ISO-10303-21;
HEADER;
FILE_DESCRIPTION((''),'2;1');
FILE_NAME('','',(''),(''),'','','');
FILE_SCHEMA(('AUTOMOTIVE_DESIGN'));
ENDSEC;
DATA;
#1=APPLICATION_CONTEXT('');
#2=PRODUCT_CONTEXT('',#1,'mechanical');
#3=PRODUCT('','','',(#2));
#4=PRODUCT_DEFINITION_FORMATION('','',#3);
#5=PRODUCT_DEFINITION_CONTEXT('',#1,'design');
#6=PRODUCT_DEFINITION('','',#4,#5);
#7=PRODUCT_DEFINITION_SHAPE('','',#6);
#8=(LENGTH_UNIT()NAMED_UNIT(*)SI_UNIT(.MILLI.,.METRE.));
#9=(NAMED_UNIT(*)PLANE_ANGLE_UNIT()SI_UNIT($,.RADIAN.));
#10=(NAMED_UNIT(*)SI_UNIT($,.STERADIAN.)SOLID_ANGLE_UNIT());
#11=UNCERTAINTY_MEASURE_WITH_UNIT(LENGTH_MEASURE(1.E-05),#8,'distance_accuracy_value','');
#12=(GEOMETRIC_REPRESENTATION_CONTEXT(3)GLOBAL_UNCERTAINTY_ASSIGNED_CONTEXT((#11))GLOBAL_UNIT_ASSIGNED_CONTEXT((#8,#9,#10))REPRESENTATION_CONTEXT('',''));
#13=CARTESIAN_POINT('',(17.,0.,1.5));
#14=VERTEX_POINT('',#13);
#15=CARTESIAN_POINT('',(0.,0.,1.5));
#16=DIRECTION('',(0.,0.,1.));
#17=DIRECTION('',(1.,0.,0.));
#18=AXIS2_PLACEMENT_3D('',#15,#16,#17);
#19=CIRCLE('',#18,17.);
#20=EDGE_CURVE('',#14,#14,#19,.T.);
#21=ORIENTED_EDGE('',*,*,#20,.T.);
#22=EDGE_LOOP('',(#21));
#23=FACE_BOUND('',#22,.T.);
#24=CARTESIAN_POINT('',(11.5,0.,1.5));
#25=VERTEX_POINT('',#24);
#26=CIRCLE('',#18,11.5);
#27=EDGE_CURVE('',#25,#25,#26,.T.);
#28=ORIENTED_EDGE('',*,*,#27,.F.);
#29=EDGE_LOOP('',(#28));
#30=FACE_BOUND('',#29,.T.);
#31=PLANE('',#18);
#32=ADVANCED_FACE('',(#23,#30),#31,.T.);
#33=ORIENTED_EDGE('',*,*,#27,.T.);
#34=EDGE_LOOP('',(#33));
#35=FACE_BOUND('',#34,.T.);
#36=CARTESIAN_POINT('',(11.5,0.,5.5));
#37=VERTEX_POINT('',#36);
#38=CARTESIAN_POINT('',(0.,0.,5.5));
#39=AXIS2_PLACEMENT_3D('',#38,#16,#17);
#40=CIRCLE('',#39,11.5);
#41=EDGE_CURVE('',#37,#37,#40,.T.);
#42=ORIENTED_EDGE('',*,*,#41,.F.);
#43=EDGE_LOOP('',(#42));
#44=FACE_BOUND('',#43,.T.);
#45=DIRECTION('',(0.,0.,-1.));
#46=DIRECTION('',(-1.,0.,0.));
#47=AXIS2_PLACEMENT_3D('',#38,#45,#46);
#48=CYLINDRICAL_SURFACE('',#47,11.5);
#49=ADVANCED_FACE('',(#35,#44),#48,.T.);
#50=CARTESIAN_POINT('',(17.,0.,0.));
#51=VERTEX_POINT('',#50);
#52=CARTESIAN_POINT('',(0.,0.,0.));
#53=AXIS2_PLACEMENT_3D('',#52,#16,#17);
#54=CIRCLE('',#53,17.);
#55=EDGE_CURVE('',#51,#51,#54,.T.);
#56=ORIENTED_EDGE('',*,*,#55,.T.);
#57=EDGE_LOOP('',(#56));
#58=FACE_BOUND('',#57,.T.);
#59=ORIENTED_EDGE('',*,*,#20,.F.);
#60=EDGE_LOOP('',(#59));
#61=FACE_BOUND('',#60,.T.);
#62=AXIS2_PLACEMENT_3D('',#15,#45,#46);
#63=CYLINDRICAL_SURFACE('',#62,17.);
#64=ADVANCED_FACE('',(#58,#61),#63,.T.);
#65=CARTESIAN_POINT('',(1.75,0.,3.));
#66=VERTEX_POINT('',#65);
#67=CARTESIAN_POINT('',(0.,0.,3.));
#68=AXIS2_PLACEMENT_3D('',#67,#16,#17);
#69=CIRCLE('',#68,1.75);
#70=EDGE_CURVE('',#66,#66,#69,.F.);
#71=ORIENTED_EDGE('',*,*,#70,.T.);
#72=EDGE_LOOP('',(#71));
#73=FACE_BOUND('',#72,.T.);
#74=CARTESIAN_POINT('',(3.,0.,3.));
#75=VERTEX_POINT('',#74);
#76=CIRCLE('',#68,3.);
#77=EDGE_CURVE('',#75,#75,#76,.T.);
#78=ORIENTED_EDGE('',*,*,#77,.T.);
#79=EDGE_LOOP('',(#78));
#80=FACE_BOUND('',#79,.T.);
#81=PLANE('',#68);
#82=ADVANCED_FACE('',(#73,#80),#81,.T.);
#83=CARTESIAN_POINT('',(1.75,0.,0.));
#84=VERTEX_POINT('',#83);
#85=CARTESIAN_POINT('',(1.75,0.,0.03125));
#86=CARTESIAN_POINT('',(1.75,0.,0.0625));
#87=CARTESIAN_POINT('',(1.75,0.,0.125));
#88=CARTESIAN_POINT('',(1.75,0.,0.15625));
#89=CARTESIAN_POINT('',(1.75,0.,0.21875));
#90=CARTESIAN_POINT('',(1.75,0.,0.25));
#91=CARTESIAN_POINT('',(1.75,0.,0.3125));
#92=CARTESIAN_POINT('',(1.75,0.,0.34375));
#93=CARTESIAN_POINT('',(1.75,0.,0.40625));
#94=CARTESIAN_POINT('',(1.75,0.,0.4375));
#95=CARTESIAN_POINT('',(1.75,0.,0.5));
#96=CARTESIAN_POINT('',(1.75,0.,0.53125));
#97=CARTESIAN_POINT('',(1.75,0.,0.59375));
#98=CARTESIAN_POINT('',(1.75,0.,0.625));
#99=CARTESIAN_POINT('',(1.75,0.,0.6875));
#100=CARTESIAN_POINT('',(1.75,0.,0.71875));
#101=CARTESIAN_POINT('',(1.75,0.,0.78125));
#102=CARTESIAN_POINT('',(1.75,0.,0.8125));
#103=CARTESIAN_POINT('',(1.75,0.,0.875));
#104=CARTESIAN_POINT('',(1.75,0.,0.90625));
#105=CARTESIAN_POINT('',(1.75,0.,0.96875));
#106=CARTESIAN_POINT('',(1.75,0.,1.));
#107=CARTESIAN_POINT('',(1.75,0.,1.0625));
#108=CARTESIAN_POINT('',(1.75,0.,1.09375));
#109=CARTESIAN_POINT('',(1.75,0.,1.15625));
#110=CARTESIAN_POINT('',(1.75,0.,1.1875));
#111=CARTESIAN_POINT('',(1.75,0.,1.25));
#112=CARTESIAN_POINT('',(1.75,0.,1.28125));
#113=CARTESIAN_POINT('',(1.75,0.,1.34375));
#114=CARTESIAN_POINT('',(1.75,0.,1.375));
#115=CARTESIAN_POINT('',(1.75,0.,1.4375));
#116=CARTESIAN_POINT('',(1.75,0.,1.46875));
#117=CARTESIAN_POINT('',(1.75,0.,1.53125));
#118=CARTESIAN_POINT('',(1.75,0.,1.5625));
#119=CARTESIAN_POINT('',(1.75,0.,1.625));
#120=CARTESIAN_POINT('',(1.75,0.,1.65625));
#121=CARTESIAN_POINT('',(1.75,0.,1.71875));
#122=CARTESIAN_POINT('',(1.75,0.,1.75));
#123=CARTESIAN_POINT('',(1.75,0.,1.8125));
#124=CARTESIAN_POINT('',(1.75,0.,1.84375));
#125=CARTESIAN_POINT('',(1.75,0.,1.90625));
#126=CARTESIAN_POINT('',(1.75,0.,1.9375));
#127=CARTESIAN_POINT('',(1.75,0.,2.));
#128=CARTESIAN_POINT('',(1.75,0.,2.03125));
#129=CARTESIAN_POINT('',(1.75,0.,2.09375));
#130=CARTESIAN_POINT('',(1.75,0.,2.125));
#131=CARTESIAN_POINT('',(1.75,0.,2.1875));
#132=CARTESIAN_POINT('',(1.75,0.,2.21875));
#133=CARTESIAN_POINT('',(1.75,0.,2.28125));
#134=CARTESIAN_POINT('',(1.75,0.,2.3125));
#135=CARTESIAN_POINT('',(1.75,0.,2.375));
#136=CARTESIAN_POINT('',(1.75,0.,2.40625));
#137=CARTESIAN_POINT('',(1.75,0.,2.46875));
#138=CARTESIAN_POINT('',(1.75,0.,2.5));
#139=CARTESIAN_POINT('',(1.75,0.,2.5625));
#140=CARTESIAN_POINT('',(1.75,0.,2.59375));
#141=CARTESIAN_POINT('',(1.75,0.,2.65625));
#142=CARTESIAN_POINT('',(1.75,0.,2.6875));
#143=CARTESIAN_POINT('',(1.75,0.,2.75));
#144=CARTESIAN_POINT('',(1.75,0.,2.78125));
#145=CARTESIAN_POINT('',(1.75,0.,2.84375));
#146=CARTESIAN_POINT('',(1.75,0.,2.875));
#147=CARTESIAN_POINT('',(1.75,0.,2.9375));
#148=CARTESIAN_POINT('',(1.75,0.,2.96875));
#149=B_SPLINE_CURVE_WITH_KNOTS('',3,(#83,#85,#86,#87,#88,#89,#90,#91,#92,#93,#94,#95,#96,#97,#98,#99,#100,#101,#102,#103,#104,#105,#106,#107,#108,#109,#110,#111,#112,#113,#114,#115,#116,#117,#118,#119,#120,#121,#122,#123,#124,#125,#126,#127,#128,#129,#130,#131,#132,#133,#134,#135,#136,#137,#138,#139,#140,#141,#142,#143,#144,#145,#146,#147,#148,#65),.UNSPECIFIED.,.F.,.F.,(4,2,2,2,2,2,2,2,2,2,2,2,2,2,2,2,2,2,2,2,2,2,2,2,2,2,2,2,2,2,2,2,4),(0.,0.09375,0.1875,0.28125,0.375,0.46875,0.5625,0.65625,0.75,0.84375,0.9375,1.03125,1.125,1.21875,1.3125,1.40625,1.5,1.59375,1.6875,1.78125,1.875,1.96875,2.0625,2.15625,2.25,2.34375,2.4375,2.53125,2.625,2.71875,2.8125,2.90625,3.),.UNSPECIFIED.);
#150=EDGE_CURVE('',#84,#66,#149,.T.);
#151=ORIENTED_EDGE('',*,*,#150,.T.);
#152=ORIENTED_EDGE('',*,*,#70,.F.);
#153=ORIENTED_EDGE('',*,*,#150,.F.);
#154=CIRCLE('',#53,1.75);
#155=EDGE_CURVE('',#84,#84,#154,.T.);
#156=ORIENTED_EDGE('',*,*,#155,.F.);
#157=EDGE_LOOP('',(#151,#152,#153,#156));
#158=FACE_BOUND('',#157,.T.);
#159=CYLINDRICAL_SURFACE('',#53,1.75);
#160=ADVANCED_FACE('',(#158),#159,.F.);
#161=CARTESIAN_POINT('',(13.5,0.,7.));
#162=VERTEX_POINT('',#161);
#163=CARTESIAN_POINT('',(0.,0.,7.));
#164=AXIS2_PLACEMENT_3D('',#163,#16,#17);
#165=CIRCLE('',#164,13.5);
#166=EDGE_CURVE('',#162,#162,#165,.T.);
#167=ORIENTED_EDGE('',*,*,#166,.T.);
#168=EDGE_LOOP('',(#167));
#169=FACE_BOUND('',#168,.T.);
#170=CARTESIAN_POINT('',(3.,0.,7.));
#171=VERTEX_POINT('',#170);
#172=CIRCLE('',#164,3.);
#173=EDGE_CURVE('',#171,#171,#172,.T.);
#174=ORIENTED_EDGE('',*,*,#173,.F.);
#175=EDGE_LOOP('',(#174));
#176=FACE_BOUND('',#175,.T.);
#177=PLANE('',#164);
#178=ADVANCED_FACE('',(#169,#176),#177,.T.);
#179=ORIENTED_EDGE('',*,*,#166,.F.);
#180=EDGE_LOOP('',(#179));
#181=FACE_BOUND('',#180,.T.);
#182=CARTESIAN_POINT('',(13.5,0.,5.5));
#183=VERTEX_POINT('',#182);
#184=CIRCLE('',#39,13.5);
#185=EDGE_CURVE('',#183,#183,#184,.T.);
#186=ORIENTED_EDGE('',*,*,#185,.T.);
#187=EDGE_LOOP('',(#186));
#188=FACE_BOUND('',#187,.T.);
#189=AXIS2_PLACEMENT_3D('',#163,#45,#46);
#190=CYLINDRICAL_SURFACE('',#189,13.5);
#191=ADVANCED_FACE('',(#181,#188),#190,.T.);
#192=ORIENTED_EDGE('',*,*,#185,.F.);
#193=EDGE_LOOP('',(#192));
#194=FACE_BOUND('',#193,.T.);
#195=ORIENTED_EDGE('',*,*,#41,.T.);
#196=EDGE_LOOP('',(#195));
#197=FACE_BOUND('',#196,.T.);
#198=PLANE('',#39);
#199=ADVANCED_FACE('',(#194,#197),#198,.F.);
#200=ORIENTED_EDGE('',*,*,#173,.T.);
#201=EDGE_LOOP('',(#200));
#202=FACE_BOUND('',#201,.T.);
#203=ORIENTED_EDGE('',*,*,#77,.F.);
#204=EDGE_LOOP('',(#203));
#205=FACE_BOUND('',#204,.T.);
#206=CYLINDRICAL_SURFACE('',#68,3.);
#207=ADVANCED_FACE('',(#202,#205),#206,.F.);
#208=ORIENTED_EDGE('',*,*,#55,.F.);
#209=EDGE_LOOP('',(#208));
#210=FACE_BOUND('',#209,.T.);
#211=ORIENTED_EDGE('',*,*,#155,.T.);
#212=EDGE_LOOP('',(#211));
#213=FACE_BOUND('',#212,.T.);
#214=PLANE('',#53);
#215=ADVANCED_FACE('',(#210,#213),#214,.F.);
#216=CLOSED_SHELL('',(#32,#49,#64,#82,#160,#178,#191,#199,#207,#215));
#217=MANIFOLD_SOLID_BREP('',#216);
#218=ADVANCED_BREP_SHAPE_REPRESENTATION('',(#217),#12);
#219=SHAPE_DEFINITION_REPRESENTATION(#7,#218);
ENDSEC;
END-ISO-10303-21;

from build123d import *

# Parameters (mm, degrees)
SKETCH_2_R          = 17
EXTRUDE_1_DEPTH     = 1.5
SKETCH_3_R          = 11.5
EXTRUDE_2_DEPTH     = 4
SKETCH_4_R          = 13.5
EXTRUDE_3_DEPTH     = 1.5
SKETCH_5_R          = 1.75
CUT_EXTRUDE_1_DEPTH = 26.039968051
SKETCH_6_R          = 3
CUT_EXTRUDE_2_DEPTH = 4


with BuildPart() as part:
    # 草图2 → 凸台-拉伸1 (new body)
    with BuildSketch(Plane.XY):
        Circle(SKETCH_2_R)
    extrude(amount=EXTRUDE_1_DEPTH)

    # 草图3 → 凸台-拉伸2 (add)
    with BuildSketch(Plane.XY.offset(1.5)):
        Circle(SKETCH_3_R)
    extrude(amount=EXTRUDE_2_DEPTH)

    # 草图4 → 凸台-拉伸3 (add)
    with BuildSketch(Plane.XY.offset(5.5)):
        Circle(SKETCH_4_R)
    extrude(amount=EXTRUDE_3_DEPTH)

    # 草图5 → 切除-拉伸1 (cut, through all)
    with BuildSketch(Plane.XY.offset(7)):
        Circle(SKETCH_5_R)
    extrude(amount=-CUT_EXTRUDE_1_DEPTH, mode=Mode.SUBTRACT)

    # 草图6 → 切除-拉伸2 (cut)
    with BuildSketch(Plane.XY.offset(7)):
        Circle(SKETCH_6_R)
    extrude(amount=-CUT_EXTRUDE_2_DEPTH, mode=Mode.SUBTRACT)


solid = part.part
